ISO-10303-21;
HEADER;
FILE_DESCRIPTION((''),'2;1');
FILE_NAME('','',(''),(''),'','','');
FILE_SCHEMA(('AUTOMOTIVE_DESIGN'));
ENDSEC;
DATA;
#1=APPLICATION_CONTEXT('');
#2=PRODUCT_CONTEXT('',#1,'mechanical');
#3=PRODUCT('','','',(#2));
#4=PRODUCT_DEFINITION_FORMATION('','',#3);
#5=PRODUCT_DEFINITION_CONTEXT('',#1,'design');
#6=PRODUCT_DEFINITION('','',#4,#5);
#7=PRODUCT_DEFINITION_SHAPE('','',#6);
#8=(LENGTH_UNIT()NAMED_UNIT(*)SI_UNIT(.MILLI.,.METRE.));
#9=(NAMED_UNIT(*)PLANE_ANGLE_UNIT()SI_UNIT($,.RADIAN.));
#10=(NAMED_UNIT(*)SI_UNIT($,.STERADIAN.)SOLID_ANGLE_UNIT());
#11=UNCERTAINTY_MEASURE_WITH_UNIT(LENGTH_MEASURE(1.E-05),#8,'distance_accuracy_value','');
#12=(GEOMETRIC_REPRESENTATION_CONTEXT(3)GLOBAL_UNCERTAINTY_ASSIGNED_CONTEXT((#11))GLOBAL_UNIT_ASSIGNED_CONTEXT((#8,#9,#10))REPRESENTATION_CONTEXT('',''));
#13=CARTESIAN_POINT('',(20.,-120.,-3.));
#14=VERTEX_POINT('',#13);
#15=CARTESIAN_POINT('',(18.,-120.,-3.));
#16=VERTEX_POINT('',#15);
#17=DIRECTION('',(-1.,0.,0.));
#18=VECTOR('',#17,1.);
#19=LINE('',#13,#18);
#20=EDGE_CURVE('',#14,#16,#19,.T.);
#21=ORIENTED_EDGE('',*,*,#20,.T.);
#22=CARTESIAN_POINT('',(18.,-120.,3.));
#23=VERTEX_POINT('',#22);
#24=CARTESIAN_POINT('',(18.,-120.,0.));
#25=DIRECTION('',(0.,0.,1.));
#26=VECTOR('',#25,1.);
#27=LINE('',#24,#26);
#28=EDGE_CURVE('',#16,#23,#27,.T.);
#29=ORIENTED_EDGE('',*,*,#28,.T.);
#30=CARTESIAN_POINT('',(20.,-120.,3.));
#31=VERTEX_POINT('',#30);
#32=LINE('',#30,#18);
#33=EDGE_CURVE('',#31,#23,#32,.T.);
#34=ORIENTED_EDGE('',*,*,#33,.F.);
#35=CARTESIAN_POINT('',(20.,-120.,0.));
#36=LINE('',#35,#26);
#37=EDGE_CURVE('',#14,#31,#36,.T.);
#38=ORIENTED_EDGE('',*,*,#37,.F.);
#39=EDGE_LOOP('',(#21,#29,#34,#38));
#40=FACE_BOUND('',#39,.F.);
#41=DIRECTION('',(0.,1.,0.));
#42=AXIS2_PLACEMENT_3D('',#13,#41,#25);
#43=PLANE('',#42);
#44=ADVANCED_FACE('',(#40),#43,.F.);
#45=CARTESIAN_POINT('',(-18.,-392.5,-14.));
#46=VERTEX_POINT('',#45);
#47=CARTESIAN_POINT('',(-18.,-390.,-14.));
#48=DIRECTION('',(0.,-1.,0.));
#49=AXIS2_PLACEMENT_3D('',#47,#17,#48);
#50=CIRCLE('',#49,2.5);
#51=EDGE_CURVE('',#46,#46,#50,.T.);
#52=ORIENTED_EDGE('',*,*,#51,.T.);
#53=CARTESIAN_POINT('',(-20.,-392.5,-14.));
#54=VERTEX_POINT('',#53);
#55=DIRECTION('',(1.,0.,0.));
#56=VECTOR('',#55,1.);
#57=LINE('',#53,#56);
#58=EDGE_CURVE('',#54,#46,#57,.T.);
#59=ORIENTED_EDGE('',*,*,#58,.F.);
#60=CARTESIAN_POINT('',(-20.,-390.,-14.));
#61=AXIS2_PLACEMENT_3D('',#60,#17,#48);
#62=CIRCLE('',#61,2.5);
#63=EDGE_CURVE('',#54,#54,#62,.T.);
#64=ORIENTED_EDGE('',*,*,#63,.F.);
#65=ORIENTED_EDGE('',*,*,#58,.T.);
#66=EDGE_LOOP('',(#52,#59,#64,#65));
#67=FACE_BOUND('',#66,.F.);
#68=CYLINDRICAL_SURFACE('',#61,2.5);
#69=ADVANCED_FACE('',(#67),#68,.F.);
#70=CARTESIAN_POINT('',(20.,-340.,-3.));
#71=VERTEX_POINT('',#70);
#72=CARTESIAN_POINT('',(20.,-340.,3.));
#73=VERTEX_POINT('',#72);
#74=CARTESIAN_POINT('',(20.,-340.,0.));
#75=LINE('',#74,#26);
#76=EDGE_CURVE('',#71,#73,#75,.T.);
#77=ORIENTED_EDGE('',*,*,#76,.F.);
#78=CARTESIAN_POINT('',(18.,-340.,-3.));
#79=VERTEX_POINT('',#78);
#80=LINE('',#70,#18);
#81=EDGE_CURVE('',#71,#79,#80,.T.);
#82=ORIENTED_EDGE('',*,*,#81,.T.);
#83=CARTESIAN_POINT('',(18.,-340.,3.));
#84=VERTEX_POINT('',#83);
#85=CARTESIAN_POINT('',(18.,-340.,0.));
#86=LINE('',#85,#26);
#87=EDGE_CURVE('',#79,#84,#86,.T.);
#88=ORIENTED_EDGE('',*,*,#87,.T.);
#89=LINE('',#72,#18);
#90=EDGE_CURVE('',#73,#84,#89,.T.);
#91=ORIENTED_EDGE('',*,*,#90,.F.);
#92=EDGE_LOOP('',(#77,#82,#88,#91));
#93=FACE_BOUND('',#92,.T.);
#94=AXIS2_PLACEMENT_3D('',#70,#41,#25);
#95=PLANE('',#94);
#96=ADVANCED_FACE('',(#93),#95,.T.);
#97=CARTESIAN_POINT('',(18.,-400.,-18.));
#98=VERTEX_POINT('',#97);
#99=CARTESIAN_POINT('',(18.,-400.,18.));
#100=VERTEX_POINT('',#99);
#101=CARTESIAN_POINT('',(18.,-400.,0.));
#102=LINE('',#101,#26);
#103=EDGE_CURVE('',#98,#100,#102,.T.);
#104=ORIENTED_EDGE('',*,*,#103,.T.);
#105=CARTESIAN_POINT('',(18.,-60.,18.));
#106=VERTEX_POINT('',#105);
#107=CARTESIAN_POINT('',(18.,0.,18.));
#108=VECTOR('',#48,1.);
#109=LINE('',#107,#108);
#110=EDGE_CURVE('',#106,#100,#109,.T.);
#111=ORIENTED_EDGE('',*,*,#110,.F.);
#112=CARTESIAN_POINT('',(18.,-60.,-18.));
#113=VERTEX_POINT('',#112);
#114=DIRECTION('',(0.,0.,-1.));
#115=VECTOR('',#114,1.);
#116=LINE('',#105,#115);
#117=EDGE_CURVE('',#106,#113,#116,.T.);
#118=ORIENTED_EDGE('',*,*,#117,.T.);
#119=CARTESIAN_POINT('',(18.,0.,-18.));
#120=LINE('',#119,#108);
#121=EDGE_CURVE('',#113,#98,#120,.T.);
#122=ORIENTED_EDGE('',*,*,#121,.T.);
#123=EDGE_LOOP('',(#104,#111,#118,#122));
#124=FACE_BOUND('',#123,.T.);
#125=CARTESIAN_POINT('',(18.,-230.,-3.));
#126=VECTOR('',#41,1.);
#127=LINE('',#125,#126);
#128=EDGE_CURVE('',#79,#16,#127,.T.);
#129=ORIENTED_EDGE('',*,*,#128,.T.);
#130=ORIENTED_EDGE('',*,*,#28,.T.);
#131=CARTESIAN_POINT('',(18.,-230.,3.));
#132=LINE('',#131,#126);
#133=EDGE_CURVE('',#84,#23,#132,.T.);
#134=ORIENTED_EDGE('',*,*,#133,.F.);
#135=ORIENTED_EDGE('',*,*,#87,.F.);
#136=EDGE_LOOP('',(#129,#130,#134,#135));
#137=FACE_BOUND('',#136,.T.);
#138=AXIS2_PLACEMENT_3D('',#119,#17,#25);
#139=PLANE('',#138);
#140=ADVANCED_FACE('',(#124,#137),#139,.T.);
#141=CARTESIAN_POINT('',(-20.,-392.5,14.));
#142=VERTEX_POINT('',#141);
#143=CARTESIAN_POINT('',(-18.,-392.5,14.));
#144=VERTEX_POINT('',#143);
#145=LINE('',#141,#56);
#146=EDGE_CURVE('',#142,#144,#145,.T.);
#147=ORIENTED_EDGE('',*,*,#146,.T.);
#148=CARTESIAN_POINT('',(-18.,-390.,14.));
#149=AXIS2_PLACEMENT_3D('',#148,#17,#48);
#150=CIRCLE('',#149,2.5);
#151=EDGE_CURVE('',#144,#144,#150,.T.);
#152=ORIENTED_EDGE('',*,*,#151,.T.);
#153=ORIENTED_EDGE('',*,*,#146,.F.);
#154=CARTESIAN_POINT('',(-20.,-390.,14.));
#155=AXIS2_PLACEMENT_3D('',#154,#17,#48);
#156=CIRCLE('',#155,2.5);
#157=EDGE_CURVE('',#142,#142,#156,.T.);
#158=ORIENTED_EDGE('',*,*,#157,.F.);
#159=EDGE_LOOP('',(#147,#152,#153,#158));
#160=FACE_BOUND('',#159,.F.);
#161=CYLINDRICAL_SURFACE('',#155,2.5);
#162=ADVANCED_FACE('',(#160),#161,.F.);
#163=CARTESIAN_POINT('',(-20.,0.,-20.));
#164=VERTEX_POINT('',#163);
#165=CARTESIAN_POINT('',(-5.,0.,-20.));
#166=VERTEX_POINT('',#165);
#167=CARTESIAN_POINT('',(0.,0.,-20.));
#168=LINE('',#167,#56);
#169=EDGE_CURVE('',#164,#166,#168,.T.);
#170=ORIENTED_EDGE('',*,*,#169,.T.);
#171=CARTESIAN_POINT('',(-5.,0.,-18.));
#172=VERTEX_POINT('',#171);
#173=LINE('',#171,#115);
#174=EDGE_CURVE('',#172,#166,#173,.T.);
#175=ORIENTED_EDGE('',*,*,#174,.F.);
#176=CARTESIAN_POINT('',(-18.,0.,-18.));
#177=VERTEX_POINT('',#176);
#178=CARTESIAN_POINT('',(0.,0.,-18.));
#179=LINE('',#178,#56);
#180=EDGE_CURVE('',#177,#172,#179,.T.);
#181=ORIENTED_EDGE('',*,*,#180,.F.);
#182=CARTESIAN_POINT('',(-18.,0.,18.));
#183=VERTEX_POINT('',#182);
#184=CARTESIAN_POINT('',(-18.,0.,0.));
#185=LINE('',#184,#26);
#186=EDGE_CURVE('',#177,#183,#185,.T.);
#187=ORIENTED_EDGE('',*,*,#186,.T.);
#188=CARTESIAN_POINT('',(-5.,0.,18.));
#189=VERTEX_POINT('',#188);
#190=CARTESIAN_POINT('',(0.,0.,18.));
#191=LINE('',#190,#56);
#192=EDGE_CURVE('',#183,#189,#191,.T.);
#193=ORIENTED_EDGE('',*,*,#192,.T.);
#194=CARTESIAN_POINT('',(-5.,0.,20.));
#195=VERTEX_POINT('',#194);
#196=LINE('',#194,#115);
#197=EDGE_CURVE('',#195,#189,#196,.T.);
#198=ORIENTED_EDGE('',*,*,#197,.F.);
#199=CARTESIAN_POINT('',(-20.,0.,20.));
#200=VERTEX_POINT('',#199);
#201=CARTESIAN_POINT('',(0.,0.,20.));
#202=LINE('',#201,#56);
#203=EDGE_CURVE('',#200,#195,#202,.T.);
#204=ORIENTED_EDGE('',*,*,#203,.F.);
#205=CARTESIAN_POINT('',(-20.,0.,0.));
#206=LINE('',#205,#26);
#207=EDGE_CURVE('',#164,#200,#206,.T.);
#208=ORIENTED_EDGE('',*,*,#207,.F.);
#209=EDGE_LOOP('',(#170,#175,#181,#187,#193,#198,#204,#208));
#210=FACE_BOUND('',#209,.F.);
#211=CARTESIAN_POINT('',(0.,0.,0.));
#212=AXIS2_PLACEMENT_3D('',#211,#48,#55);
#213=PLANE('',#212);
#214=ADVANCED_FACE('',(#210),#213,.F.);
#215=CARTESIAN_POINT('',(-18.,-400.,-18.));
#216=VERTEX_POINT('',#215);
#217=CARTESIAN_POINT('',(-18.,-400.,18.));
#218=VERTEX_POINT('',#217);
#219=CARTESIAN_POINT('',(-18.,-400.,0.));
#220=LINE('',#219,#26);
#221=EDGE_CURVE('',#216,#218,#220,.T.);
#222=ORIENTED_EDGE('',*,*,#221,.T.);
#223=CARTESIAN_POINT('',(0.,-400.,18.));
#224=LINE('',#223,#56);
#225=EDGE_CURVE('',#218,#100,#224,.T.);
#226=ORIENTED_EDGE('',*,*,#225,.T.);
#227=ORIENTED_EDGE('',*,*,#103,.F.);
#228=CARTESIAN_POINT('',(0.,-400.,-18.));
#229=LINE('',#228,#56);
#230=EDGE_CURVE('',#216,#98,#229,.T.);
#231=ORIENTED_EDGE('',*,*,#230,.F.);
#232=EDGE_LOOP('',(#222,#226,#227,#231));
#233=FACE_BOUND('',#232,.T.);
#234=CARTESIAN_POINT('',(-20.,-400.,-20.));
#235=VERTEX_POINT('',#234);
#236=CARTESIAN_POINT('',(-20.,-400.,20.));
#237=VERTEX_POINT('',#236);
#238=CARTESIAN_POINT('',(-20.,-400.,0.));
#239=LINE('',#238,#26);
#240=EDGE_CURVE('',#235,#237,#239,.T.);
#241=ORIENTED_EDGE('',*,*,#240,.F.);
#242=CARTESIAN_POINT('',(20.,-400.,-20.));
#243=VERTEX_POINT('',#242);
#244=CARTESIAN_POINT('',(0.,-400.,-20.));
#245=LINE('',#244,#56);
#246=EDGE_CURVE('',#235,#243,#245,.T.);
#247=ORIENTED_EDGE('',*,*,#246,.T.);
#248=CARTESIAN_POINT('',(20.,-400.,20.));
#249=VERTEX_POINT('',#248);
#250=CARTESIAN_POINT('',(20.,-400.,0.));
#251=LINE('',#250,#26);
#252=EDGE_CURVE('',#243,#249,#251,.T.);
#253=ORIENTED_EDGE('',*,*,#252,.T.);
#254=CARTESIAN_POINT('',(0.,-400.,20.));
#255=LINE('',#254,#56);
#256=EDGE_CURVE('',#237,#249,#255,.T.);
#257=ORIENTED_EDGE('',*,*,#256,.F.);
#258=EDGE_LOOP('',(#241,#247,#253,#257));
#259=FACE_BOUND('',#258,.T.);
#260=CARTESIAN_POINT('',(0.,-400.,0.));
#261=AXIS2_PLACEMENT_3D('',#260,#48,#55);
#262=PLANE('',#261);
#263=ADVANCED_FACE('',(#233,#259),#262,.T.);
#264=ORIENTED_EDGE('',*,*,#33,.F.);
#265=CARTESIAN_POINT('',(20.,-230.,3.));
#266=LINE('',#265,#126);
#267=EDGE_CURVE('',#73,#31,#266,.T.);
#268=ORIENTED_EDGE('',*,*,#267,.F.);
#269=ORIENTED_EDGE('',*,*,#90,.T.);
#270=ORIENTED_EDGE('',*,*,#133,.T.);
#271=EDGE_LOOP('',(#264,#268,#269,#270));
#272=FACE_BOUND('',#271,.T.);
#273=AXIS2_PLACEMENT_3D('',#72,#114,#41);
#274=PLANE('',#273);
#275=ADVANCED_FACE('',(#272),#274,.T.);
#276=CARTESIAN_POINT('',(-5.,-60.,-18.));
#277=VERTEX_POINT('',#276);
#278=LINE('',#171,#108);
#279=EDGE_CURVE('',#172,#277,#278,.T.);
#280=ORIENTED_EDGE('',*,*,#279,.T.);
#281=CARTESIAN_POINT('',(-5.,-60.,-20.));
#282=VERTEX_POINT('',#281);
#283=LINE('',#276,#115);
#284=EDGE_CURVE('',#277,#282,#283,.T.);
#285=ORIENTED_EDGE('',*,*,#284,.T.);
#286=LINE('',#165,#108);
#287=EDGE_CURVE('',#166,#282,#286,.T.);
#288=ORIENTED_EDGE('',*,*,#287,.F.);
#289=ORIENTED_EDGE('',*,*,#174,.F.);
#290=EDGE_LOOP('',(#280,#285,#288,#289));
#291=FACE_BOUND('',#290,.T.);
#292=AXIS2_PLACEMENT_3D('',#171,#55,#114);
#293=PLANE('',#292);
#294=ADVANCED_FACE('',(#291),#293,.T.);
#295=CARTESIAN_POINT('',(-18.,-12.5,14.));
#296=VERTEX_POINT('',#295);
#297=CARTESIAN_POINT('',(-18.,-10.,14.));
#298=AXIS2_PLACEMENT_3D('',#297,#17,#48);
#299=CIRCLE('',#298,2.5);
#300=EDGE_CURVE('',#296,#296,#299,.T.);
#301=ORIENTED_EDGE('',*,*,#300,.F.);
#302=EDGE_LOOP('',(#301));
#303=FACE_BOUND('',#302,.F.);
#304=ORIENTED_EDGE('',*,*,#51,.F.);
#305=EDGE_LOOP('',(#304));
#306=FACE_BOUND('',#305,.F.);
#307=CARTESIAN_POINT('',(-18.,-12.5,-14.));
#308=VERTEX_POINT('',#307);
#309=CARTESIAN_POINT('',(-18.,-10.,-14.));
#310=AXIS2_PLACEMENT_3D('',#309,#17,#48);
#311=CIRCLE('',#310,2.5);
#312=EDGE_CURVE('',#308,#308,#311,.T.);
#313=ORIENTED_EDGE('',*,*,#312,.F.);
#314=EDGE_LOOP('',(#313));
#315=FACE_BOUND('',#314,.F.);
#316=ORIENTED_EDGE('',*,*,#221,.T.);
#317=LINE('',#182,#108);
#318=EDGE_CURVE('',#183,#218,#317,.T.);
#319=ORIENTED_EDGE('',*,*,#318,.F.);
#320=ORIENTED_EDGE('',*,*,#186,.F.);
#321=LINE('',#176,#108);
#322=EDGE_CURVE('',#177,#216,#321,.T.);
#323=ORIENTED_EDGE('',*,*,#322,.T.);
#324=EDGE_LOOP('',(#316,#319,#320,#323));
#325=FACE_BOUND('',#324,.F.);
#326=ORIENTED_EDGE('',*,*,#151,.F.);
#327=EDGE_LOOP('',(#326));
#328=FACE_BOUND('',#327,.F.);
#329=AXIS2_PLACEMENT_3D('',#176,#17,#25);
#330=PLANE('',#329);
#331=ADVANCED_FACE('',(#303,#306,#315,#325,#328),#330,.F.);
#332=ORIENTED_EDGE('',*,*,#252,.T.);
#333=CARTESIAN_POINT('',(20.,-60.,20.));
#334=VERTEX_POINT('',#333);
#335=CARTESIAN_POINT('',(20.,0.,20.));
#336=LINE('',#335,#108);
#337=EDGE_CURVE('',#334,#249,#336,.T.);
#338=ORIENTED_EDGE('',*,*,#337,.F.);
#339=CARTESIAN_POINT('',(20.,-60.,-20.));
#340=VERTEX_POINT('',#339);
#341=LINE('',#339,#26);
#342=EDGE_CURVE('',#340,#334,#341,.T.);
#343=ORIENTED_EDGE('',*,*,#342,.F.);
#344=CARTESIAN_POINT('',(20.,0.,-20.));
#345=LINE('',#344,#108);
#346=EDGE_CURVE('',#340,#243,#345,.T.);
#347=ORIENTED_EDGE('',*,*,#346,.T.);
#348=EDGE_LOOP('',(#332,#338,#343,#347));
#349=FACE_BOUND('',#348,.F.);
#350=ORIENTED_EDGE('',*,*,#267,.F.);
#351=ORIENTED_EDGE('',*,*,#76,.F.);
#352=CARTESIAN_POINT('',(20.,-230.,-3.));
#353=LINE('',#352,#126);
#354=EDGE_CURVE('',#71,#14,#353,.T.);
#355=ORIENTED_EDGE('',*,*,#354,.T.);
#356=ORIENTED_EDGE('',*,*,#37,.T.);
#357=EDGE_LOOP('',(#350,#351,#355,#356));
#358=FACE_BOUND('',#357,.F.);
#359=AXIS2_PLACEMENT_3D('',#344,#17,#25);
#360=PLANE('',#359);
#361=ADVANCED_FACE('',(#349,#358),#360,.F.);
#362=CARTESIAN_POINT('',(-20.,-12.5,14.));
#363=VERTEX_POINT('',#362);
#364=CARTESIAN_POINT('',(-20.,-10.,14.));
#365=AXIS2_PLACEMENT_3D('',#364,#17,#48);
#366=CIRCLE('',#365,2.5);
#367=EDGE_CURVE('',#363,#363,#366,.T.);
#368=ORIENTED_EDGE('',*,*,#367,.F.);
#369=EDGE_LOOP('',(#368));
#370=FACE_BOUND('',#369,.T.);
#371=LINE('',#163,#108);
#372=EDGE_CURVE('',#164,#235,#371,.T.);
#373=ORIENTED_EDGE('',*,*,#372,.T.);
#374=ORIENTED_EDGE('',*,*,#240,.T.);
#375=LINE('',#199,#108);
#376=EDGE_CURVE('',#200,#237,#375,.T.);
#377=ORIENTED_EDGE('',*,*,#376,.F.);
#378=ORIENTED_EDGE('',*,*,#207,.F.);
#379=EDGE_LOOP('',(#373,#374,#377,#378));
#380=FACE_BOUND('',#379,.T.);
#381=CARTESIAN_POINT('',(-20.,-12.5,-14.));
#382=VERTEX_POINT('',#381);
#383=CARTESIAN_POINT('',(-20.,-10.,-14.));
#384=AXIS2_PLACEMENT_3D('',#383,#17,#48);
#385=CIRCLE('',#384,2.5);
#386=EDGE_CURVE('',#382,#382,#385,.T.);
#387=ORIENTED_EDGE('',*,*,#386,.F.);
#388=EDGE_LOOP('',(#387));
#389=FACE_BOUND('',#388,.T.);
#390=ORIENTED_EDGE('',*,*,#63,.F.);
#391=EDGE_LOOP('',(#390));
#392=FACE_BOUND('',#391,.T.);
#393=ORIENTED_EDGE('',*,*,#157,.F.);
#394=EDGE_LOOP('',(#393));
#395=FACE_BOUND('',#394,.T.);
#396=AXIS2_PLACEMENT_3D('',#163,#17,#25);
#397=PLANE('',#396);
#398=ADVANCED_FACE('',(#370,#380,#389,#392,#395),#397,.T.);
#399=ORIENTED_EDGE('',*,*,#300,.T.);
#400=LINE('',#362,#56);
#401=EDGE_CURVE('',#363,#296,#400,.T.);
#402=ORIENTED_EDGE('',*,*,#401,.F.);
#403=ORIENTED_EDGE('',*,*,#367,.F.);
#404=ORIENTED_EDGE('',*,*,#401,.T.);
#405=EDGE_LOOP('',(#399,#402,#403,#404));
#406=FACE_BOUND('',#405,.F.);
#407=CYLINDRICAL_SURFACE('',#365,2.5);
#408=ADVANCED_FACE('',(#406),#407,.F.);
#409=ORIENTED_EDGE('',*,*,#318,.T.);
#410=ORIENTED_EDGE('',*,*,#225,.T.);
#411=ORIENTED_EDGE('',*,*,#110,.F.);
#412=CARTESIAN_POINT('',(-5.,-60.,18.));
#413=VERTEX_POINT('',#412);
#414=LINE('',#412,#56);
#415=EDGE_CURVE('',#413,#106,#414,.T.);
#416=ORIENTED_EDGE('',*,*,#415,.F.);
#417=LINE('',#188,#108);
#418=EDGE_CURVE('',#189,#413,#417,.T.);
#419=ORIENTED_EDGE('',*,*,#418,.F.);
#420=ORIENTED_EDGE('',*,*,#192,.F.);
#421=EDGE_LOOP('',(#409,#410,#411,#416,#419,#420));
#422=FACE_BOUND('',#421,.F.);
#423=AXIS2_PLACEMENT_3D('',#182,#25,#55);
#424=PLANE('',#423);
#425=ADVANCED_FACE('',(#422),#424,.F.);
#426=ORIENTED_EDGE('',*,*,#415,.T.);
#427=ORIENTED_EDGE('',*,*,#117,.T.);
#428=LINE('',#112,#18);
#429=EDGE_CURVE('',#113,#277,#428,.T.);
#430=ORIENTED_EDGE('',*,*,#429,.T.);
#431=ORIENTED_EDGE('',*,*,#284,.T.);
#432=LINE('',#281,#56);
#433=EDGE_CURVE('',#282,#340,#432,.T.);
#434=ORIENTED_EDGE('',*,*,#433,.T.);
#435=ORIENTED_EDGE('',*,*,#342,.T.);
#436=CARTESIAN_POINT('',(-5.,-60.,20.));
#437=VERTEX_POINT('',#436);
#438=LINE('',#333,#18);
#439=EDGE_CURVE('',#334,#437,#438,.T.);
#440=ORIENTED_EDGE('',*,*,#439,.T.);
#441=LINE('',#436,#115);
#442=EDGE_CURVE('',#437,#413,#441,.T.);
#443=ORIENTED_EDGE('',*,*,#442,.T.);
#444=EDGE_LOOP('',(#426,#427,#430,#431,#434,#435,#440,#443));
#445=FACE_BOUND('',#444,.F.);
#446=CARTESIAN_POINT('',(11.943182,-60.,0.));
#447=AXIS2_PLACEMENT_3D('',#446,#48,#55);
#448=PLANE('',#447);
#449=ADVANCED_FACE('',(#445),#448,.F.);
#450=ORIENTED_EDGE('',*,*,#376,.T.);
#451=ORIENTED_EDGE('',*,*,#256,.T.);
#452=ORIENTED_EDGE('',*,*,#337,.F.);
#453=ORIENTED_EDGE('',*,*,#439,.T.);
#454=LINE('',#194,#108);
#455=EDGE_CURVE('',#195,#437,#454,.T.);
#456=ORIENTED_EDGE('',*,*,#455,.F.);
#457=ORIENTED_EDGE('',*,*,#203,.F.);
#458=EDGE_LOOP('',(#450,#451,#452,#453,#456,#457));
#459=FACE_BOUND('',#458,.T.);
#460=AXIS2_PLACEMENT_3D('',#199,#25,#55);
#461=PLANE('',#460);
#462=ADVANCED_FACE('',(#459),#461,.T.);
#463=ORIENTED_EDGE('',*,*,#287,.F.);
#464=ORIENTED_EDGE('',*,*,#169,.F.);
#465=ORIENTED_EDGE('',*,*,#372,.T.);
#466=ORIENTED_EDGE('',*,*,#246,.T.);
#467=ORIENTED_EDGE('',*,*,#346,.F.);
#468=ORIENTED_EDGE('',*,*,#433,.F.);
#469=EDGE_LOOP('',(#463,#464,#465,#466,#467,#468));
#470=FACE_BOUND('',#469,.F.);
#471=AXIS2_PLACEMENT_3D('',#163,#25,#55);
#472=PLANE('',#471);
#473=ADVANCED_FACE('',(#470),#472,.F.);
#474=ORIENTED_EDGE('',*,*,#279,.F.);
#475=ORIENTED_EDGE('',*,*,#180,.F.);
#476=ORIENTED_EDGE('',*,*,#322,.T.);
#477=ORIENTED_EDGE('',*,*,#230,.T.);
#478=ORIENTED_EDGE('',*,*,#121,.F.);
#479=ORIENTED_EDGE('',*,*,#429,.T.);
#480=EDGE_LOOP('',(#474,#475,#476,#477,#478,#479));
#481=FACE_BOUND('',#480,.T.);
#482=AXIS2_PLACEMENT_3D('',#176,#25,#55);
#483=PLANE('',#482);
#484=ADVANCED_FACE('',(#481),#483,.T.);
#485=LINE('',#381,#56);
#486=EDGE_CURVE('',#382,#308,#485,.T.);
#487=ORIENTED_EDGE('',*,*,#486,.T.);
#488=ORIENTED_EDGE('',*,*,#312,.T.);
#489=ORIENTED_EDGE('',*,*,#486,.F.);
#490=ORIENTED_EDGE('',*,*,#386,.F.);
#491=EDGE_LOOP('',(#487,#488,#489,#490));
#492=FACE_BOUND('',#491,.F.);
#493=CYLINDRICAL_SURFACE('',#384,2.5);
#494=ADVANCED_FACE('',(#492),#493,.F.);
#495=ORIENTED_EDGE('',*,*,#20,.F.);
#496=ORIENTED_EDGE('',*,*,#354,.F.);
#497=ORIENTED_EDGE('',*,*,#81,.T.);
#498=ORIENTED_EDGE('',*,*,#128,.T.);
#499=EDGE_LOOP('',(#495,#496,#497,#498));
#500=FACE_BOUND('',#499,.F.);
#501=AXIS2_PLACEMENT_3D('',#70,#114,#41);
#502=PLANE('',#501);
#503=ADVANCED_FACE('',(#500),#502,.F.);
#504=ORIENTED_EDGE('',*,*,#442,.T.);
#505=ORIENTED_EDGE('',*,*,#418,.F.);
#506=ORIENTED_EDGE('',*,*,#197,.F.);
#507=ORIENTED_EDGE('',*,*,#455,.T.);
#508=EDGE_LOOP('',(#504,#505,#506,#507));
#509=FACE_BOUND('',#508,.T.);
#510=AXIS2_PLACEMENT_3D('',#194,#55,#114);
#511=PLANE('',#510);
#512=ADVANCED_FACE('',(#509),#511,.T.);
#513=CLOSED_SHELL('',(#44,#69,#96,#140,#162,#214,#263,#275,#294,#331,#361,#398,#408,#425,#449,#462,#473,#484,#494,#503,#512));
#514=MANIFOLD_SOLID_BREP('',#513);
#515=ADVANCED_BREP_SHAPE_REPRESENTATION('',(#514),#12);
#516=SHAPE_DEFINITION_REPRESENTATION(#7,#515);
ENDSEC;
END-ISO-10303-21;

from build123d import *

# Parameters (mm, degrees)
F0_W     = 40
F0_H     = 40
F0_W_2   = 36
F0_H_2   = 36
F1_DEPTH = 400
F2_W     = 220
F2_H     = 6
F3_DEPTH = 2
F5_DEPTH = 60
F6_R     = 2.5
F7_DEPTH = 25


with BuildPart() as f1:
    # F0 (on Front) → F1 (new body)
    with BuildSketch(Plane.XZ):
        Rectangle(F0_W, F0_H)
        Rectangle(F0_W_2, F0_H_2, mode=Mode.SUBTRACT)
    extrude(amount=F1_DEPTH)

    # F2 (on face) → F3 (cut)
    with BuildSketch(Plane.YZ.offset(20)):
        with Locations((-230, 0)):
            Rectangle(F2_W, F2_H)
    extrude(amount=-F3_DEPTH, mode=Mode.SUBTRACT)

    # F4 (on Front) → F5 (cut)
    with BuildSketch(Plane.XZ):
        Polygon((-5, -18), (-5, -20), (20, -20), (20, 20), (-5, 20), (-5, 18), (18, 18), (18, -18), align=None)
    extrude(amount=F5_DEPTH, mode=Mode.SUBTRACT)

    # F6 (on face) → F7 (cut)
    with BuildSketch(Plane(origin=(-20, 0, 0), x_dir=(0, -1, 0), z_dir=(-1, 0, 0))):
        with Locations((10, 14)):
            Circle(F6_R)
        with Locations((10, -14)):
            Circle(F6_R)
        with Locations((390, 14)):
            Circle(F6_R)
        with Locations((390, -14)):
            Circle(F6_R)
    extrude(amount=-F7_DEPTH, mode=Mode.SUBTRACT)


solid = f1.part
